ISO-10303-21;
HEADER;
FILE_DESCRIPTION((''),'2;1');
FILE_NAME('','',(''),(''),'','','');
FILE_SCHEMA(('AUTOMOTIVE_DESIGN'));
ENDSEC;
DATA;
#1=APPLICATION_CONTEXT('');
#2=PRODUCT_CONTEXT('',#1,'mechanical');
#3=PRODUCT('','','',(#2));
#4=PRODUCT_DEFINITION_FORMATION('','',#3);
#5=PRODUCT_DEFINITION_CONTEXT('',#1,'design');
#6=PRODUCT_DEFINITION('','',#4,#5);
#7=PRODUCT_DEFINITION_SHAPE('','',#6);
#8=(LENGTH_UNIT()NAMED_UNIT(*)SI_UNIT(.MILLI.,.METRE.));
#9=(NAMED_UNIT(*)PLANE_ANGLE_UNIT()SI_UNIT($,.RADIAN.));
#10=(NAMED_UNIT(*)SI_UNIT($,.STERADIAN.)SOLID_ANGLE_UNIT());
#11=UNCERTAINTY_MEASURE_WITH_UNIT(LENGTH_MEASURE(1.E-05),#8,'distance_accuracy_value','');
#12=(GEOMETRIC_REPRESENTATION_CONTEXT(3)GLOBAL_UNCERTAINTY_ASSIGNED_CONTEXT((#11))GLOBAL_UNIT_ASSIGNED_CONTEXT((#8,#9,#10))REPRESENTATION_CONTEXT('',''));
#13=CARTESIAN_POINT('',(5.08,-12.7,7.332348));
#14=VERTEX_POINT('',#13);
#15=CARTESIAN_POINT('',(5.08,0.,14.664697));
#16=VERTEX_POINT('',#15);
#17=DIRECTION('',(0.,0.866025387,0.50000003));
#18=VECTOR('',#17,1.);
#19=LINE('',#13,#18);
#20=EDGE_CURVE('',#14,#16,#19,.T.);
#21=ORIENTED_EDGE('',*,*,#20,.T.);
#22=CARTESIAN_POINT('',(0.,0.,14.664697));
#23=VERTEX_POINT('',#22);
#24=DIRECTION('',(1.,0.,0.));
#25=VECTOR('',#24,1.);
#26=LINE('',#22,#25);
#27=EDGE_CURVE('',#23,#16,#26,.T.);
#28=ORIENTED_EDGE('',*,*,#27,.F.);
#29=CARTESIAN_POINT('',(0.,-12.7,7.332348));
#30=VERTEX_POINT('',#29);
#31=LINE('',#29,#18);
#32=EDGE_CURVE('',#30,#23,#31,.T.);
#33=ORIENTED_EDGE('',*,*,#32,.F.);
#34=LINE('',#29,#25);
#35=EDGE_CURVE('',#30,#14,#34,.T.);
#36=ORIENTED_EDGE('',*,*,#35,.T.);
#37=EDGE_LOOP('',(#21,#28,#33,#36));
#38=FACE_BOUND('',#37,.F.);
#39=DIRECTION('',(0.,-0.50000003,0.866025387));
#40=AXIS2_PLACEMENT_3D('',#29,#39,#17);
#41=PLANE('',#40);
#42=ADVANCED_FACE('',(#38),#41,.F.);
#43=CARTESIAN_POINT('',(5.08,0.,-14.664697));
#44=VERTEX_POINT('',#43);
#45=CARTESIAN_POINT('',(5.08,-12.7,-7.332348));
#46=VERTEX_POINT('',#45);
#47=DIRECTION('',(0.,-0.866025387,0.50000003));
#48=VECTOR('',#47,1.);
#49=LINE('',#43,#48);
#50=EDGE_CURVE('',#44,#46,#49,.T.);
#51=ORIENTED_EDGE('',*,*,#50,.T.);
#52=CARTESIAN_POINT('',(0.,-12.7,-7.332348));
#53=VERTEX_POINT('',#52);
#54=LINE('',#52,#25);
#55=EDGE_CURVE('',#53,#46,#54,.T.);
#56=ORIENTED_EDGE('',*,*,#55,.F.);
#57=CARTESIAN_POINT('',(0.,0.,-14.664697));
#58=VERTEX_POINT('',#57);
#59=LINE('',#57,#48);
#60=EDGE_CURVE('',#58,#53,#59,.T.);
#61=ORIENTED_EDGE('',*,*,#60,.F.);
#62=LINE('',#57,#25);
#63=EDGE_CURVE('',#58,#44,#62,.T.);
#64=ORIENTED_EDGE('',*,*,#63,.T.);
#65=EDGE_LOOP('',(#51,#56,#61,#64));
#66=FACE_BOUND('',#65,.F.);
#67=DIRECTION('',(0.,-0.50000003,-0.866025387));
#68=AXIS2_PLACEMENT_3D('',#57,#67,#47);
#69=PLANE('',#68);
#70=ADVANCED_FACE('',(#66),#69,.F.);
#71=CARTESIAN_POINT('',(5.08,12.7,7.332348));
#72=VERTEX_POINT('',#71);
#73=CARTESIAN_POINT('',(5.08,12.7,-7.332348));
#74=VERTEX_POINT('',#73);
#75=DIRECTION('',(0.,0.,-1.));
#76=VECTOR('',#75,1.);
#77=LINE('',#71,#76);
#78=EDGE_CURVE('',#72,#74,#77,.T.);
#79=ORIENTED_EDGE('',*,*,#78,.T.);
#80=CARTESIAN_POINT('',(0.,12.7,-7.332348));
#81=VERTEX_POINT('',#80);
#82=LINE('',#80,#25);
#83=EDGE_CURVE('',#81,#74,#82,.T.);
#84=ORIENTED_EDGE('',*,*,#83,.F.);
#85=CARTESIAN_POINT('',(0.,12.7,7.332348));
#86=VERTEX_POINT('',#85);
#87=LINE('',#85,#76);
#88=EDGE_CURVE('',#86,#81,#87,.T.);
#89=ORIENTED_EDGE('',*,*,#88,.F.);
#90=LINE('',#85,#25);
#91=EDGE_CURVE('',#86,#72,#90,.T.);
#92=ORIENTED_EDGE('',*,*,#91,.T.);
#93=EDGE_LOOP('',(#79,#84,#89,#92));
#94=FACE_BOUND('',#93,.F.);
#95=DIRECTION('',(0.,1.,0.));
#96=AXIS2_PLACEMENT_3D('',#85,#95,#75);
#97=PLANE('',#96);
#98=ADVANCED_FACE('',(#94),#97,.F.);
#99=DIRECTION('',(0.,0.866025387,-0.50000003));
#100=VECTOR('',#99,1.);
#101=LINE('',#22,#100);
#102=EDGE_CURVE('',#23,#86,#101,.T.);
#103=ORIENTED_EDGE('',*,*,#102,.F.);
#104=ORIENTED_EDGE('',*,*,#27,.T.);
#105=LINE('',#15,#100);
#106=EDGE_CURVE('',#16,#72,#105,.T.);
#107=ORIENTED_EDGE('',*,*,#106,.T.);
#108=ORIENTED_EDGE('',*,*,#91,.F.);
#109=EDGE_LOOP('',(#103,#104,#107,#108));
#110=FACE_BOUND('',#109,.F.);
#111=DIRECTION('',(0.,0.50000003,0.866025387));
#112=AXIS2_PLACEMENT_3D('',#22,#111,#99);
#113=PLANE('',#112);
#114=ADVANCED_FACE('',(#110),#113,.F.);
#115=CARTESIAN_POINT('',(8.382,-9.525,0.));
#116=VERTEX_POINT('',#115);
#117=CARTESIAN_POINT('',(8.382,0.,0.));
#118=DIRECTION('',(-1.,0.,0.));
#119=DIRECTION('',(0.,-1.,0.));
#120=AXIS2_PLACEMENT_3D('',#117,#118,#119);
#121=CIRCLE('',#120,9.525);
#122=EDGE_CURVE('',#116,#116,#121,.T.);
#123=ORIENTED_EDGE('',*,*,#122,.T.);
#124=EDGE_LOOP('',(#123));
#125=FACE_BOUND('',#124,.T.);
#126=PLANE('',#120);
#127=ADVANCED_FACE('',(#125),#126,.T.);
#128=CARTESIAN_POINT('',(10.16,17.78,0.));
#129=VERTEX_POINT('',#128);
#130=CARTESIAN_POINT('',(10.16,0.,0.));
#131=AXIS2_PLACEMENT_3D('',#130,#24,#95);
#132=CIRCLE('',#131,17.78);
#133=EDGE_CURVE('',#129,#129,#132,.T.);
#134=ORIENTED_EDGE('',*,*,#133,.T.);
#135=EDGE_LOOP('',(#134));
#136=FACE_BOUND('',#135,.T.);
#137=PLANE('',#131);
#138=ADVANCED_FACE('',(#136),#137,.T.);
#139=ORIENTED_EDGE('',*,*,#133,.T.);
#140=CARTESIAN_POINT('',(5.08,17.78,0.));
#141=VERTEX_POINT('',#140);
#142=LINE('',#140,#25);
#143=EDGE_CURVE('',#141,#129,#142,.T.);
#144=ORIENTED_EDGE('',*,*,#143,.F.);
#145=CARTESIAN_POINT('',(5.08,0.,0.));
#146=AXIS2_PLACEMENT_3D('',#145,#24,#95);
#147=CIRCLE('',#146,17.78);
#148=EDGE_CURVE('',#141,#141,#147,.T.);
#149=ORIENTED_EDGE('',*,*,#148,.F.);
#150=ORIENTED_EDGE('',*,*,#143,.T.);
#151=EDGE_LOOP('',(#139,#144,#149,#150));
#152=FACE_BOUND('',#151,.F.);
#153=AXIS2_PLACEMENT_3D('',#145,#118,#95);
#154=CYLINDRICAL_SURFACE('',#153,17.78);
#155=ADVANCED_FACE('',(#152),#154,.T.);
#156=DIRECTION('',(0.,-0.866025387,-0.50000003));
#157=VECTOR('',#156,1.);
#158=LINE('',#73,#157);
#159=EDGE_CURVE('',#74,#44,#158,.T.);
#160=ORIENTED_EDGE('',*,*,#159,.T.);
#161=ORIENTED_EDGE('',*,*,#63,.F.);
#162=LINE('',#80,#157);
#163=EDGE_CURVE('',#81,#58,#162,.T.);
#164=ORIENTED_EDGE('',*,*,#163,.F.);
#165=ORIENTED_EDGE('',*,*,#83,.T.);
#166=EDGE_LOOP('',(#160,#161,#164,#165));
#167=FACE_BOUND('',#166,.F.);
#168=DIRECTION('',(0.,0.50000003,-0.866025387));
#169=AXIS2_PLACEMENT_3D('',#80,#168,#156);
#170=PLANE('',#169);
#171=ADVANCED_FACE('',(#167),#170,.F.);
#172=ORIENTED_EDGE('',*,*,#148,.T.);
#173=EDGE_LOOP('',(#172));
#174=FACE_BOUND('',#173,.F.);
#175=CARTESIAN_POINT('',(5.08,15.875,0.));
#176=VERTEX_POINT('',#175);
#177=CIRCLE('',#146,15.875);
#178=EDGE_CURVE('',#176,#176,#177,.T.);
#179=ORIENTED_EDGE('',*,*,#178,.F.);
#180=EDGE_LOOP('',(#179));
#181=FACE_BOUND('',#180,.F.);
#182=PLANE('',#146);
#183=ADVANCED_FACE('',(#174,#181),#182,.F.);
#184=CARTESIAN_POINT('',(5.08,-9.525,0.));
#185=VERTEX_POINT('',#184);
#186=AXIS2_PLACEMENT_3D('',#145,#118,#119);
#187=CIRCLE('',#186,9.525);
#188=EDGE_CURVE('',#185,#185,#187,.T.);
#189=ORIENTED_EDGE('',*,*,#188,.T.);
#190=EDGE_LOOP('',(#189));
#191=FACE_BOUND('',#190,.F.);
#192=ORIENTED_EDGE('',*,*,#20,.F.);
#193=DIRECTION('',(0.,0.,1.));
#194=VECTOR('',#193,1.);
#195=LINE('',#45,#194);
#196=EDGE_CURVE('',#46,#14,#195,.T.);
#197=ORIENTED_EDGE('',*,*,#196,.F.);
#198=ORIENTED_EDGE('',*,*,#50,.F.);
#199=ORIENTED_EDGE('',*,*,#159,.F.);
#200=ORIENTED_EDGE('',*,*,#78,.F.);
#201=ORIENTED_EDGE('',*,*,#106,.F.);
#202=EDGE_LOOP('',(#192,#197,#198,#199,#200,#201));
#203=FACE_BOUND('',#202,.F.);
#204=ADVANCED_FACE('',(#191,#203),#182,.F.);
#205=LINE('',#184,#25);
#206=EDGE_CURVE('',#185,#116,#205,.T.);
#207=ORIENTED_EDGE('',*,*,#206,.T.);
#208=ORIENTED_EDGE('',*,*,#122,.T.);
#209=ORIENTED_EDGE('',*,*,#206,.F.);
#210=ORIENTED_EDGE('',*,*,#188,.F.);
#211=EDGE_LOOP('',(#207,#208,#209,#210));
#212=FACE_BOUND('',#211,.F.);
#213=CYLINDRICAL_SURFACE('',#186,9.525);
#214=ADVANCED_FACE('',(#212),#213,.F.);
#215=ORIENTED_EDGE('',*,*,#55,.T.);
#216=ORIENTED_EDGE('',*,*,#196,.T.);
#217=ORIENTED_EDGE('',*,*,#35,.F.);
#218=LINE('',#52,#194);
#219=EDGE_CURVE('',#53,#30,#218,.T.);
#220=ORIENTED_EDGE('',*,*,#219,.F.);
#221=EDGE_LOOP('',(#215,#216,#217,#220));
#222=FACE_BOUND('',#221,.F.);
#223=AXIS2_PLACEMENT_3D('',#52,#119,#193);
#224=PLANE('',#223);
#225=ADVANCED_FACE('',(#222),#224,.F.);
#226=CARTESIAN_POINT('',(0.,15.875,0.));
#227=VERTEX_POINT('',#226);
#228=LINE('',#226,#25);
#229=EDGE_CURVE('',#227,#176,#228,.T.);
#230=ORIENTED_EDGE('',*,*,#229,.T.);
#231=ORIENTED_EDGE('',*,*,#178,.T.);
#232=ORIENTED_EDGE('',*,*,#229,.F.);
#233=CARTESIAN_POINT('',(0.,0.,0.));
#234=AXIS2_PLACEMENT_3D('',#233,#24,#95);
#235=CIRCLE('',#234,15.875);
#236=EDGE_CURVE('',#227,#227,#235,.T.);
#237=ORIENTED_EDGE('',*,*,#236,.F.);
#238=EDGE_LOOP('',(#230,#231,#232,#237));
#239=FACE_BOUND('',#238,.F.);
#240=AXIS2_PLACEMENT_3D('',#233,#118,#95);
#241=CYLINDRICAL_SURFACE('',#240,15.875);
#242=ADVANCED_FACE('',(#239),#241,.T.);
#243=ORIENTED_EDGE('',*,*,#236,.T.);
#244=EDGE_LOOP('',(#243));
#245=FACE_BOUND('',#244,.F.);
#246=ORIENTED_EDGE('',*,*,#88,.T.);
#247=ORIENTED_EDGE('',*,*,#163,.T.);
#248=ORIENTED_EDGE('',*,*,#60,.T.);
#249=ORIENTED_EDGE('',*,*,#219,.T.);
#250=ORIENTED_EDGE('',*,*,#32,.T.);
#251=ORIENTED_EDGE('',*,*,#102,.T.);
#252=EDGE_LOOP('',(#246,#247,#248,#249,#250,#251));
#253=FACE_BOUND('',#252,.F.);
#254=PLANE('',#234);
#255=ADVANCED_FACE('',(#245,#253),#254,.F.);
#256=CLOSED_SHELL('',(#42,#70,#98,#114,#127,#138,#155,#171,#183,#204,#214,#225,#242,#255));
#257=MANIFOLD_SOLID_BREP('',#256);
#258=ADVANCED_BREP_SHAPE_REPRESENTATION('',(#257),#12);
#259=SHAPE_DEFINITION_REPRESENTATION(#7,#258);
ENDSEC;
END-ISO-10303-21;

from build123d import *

# Parameters (mm, degrees)
F0_R     = 15.875
F1_DEPTH = 5.08
F2_R     = 17.78
F3_DEPTH = 5.08
F4_R     = 9.525
F5_DEPTH = 3.302


with BuildPart() as f1:
    # F0 (on Right) → F1 (new body)
    with BuildSketch(Plane.YZ):
        Circle(F0_R)
        Polygon((0, -14.664697), (-12.7, -7.332348), (-12.7, 7.332348), (0, 14.664697), (12.7, 7.332348), (12.7, -7.332348), align=None, mode=Mode.SUBTRACT)
    extrude(amount=F1_DEPTH)

    # F2 (on face) → F3 (join)
    with BuildSketch(Plane.YZ.offset(5.08)):
        Circle(F2_R)
    extrude(amount=F3_DEPTH)

    # F4 (on face) → F5 (cut)
    with BuildSketch(Plane(origin=(5.08, 0, 0), x_dir=(0, -1, 0), z_dir=(-1, 0, 0))):
        Circle(F4_R)
    extrude(amount=-F5_DEPTH, mode=Mode.SUBTRACT)


solid = f1.part
